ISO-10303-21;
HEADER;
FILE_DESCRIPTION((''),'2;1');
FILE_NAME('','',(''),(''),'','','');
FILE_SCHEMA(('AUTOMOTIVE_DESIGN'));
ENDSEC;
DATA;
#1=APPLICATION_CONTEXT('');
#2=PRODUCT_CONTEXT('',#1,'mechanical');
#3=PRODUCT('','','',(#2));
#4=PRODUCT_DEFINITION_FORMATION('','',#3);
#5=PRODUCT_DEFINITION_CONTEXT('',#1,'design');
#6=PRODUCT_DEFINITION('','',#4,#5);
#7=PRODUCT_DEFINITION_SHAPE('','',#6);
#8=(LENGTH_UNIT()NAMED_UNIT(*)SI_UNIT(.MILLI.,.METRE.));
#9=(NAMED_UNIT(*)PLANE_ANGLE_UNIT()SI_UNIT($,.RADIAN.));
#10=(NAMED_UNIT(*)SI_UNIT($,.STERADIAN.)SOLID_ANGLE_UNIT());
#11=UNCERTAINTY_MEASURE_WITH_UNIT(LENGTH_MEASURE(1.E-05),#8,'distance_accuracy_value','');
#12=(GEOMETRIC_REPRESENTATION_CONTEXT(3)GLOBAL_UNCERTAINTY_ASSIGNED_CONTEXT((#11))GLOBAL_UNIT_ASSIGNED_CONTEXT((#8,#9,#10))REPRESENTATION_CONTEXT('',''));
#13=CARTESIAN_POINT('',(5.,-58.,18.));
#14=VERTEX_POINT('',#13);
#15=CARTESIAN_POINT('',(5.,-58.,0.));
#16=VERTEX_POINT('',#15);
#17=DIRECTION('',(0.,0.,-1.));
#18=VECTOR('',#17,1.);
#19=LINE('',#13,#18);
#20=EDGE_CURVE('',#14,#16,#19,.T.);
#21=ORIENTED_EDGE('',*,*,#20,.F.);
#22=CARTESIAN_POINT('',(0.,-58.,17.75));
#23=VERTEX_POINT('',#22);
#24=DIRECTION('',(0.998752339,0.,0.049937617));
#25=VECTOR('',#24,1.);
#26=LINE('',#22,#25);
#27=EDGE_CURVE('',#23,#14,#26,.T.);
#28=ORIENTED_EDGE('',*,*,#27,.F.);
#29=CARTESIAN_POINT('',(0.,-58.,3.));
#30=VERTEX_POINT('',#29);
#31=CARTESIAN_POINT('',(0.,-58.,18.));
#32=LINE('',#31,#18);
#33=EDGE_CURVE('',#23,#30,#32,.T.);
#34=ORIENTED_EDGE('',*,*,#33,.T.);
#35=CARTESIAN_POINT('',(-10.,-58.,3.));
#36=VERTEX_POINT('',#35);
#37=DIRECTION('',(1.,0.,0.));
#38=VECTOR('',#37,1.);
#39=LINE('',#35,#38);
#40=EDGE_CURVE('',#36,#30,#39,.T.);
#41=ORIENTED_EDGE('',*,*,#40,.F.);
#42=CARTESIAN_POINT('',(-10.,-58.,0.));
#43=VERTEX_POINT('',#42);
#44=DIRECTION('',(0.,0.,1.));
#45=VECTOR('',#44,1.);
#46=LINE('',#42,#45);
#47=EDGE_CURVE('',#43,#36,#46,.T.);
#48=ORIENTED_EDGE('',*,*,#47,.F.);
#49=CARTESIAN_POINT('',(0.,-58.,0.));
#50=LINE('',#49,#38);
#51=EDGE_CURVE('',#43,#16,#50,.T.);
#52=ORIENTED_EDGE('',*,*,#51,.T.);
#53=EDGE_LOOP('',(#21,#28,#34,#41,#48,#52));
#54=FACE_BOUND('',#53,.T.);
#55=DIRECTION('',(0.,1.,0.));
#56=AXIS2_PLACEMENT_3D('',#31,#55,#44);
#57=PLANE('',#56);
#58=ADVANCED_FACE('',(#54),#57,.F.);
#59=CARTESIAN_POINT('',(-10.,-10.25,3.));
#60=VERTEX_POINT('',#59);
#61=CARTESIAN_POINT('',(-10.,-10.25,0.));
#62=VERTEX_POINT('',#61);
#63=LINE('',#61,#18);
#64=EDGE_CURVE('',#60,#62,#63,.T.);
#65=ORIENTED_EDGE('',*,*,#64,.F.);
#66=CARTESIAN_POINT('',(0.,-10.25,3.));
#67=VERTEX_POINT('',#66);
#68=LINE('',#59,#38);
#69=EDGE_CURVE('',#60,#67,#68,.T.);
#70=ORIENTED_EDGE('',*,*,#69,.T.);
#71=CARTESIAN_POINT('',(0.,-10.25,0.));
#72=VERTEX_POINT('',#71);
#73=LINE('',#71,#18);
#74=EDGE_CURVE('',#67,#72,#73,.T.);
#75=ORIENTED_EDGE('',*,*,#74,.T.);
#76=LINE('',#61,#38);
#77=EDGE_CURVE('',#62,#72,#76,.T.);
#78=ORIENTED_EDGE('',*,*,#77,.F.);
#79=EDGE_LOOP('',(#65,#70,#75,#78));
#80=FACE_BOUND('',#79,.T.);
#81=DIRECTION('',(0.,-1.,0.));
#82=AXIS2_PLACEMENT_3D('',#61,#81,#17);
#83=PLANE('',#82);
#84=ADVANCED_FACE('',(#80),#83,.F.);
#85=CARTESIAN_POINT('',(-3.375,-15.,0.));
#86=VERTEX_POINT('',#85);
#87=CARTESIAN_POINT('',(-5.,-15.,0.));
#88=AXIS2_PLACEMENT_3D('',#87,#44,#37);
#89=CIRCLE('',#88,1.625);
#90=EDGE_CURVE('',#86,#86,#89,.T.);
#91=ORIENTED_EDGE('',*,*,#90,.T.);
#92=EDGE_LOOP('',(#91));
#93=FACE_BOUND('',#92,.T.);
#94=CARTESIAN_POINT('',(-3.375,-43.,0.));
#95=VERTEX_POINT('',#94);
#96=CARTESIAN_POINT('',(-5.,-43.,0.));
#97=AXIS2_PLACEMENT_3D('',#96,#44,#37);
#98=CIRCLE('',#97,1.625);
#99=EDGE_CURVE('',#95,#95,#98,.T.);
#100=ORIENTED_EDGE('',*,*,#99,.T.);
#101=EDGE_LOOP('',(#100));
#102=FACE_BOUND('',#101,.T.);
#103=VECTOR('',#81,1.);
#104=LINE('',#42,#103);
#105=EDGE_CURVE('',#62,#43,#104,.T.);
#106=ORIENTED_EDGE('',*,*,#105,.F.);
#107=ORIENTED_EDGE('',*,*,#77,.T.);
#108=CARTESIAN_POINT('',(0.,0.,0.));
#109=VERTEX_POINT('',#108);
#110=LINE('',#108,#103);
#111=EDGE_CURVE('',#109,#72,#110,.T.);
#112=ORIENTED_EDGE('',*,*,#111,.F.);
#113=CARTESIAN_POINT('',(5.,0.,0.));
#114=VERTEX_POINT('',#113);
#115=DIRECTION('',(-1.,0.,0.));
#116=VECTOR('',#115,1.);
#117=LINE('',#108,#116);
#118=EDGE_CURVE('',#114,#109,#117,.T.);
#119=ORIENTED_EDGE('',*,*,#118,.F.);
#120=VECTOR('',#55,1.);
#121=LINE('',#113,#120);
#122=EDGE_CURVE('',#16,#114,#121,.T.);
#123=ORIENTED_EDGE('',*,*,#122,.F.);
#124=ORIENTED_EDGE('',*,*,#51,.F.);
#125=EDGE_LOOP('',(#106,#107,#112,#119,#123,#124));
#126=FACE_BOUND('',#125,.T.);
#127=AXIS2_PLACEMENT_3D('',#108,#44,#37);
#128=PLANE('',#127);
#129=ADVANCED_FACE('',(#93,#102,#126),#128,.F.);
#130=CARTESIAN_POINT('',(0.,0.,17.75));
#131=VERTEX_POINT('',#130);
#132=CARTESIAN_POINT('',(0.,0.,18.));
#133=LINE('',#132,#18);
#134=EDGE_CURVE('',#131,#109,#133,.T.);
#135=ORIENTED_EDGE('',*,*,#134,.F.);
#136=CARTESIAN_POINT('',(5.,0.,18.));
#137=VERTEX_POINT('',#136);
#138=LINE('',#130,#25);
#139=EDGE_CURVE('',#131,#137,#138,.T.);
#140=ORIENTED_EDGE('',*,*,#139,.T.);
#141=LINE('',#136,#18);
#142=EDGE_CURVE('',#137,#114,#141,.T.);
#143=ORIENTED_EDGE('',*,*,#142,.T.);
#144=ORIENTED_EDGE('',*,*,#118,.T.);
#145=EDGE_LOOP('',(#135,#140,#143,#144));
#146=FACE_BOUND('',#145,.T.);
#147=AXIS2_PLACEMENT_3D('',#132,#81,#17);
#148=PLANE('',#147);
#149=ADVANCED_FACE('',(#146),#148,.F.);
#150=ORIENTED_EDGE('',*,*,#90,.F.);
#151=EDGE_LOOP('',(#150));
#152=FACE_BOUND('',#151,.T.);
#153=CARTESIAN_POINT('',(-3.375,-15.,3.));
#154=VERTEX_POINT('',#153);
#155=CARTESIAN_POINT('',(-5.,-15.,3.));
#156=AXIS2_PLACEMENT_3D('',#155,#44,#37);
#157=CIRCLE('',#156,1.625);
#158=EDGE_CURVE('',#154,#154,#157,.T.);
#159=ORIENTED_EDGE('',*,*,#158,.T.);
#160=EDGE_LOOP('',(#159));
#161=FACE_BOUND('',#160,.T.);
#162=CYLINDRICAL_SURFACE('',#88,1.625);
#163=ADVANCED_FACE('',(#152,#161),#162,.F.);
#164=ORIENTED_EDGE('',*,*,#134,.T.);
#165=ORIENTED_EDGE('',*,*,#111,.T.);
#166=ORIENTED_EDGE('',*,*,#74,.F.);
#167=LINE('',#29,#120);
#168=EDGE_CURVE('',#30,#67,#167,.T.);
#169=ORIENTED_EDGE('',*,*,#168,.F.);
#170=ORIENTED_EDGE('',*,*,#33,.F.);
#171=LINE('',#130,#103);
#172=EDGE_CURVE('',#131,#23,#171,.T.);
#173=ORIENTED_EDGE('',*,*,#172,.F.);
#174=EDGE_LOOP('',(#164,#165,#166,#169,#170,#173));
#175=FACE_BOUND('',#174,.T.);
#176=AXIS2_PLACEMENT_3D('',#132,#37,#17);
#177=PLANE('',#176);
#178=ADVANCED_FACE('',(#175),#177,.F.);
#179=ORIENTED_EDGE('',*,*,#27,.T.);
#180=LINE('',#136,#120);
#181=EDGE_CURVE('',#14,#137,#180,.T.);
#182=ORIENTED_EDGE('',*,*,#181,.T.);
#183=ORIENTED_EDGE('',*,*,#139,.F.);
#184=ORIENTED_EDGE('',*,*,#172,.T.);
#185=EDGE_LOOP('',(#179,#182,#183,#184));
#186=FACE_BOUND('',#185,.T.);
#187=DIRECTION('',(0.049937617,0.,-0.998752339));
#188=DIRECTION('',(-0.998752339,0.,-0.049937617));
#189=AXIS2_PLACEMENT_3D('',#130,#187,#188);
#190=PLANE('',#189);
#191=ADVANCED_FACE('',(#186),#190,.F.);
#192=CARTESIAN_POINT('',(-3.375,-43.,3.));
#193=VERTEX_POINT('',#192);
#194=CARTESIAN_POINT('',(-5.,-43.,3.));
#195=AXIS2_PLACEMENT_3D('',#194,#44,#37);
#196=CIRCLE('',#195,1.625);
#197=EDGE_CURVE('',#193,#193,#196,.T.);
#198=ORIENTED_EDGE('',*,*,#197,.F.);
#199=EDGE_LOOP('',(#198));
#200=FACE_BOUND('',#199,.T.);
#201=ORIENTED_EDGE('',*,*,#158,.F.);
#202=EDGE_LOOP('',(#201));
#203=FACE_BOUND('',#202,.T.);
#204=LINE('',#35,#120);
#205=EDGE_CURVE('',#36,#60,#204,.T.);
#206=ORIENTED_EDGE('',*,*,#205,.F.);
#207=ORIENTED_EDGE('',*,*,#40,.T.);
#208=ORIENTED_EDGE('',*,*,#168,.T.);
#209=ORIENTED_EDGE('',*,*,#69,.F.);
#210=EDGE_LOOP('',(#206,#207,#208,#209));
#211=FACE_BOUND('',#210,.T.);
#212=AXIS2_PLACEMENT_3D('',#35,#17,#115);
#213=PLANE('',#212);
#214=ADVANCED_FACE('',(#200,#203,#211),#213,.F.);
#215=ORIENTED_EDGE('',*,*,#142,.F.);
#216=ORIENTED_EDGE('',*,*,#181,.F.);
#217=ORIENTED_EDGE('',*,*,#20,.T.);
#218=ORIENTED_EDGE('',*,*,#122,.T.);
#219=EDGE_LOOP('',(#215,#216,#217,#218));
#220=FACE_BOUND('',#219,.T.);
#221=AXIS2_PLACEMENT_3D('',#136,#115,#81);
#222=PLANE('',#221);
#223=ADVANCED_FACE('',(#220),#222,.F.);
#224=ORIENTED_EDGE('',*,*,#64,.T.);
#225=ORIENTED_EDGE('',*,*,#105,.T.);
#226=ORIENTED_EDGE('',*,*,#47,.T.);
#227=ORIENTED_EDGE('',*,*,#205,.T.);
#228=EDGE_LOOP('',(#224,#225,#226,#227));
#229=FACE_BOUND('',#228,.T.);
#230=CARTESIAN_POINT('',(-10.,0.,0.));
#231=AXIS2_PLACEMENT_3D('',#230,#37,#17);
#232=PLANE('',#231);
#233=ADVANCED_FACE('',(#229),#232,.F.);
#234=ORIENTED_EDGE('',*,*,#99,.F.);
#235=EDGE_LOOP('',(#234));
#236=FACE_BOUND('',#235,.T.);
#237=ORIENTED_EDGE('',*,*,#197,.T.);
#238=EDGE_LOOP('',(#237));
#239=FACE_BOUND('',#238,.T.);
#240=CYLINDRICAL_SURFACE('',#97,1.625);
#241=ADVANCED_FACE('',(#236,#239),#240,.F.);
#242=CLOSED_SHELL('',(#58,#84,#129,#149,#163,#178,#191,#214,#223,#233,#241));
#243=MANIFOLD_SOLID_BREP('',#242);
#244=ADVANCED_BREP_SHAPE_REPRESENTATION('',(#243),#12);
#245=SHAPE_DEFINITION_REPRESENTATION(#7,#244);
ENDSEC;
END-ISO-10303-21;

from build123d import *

# Parameters (mm, degrees)
ESQUISSE1_W             = 5
ESQUISSE1_H             = 58
BOSS_EXTRU_1_DEPTH      = 18
ESQUISSE2_W             = 3
ESQUISSE2_H             = 47.75
BOSS_EXTRU_2_DEPTH      = 10
ESQUISSE3_R             = 1.625
ENL_V_MAT_EXTRU_1_DEPTH = 4
ENL_V_MAT_EXTRU_2_DEPTH = 59


with BuildPart() as part:
    # Esquisse1 → Boss.-Extru.1 (new body)
    with BuildSketch(Plane.XY):
        with Locations((2.5, -29)):
            Rectangle(ESQUISSE1_W, ESQUISSE1_H)
    extrude(amount=BOSS_EXTRU_1_DEPTH)

    # Esquisse2 → Boss.-Extru.2 (add)
    with BuildSketch(Plane.ZY):
        with Locations((1.5, -34.125)):
            Rectangle(ESQUISSE2_W, ESQUISSE2_H)
    extrude(amount=BOSS_EXTRU_2_DEPTH)

    # Esquisse3 → Enlèv. mat.-Extru.1 (cut, through all)
    with BuildSketch(Plane.XY.offset(3)):
        with Locations((-5, -15)):
            Circle(ESQUISSE3_R)
        with Locations((-5, -43)):
            Circle(ESQUISSE3_R)
    extrude(amount=-ENL_V_MAT_EXTRU_1_DEPTH, mode=Mode.SUBTRACT)

    # Esquisse4 → Enlèv. mat.-Extru.2 (cut, through all)
    with BuildSketch(Plane.XZ.offset(58)):
        Polygon((0, 18), (0, 17.75), (5, 18), align=None)
    extrude(amount=-ENL_V_MAT_EXTRU_2_DEPTH, mode=Mode.SUBTRACT)


solid = part.part
